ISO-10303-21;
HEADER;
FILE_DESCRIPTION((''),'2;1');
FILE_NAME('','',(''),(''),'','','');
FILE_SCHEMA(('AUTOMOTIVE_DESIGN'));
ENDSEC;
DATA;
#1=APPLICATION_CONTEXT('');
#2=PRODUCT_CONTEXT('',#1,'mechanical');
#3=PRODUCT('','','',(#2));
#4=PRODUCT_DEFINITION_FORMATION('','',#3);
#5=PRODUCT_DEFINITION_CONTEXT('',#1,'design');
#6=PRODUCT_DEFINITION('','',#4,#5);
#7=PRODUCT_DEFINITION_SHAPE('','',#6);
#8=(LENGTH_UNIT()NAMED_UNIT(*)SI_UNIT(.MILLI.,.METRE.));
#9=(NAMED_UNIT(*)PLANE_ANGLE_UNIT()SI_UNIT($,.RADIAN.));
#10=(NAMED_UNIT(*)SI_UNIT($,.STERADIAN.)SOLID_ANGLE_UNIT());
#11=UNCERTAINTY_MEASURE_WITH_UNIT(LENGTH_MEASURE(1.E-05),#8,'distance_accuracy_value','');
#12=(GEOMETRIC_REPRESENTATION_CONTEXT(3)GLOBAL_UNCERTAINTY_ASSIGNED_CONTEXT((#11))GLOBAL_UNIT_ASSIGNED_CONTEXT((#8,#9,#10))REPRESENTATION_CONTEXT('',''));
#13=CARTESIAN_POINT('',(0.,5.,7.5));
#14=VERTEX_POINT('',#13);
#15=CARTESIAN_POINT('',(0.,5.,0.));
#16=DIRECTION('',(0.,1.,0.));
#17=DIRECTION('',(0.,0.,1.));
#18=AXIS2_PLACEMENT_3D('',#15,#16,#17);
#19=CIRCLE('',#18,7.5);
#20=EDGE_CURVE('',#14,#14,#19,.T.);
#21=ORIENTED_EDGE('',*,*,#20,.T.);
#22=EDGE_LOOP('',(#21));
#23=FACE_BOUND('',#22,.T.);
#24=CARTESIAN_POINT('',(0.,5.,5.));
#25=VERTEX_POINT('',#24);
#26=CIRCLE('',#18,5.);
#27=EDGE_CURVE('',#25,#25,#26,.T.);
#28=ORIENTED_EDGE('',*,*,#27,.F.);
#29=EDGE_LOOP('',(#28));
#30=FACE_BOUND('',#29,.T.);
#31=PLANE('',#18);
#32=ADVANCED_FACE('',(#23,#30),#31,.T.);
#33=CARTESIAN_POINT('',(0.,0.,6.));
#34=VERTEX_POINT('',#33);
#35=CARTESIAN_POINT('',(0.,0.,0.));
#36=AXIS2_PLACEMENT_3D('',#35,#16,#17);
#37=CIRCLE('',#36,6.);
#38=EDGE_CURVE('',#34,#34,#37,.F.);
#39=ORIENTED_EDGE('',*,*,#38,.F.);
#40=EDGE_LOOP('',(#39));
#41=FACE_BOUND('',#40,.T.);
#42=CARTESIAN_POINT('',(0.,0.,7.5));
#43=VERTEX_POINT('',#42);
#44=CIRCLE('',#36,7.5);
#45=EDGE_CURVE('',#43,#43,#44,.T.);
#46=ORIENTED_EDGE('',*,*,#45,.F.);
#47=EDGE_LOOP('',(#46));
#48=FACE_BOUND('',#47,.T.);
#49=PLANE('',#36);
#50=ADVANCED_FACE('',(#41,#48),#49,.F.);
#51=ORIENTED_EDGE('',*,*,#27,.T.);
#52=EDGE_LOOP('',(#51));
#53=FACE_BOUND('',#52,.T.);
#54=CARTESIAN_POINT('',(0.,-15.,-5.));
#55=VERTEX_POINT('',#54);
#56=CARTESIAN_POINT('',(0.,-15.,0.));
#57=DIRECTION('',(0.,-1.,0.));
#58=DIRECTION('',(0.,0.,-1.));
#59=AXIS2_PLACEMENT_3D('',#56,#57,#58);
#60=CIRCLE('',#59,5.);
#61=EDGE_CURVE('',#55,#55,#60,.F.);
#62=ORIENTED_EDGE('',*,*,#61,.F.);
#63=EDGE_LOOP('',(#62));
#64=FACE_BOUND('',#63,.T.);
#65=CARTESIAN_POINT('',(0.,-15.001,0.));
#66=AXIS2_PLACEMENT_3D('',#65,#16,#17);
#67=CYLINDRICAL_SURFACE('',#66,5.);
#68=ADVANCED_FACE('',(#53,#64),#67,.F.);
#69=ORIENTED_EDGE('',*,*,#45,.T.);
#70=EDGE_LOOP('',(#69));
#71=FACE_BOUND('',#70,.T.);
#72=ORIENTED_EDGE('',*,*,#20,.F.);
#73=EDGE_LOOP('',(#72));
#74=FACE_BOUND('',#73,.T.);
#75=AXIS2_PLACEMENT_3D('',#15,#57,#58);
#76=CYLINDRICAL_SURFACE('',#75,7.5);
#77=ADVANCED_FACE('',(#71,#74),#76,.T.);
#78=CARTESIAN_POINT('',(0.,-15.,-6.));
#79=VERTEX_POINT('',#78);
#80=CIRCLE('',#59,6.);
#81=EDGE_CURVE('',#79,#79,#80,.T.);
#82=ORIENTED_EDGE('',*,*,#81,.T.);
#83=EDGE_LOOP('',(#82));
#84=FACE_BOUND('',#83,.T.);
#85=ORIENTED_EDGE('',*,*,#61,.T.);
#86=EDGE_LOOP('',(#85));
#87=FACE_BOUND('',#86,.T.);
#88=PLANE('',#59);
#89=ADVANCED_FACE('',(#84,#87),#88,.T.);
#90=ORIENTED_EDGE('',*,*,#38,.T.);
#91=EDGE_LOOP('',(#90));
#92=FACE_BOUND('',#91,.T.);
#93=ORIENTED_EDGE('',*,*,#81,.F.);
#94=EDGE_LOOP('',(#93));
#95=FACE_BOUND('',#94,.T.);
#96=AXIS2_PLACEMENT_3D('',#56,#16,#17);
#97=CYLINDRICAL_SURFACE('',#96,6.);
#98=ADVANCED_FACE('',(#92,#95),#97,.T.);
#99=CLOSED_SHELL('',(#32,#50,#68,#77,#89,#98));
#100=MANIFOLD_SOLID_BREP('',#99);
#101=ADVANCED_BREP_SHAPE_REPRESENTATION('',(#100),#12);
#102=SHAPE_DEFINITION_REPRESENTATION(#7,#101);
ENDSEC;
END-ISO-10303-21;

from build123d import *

# Parameters (mm, degrees)
ESQUISSE1_R      = 7.5
EXTRUSION1_DEPTH = 5
ESQUISSE2_R      = 6
EXTRUSION2_DEPTH = 15
EXTRUSION3_REACH = 22
ESQUISSE3_R      = 5


with BuildPart() as part:
    # Esquisse1 → Extrusion1 (new body)
    with BuildSketch(Plane(origin=(0, 0, 0), x_dir=(1, 0, 0), z_dir=(0, 1, 0))):
        Circle(ESQUISSE1_R)
    extrude(amount=EXTRUSION1_DEPTH)

    # Esquisse2 → Extrusion2 (add)
    with BuildSketch(Plane.XZ):
        Circle(ESQUISSE2_R)
    extrude(amount=EXTRUSION2_DEPTH)

    # Esquisse3 → Extrusion3 (cut, up to next)
    with BuildSketch(Plane(origin=(0, 5, 0), x_dir=(1, 0, 0), z_dir=(0, 1, 0)), mode=Mode.PRIVATE) as extrusion3_sk1:
        Circle(ESQUISSE3_R)
    extrusion3_tool1 = extrude(extrusion3_sk1.sketch, amount=-EXTRUSION3_REACH, mode=Mode.PRIVATE) & part.part
    add(extrusion3_tool1.solids().sort_by_distance((0, 5, 0))[0], mode=Mode.SUBTRACT)


solid = part.part
